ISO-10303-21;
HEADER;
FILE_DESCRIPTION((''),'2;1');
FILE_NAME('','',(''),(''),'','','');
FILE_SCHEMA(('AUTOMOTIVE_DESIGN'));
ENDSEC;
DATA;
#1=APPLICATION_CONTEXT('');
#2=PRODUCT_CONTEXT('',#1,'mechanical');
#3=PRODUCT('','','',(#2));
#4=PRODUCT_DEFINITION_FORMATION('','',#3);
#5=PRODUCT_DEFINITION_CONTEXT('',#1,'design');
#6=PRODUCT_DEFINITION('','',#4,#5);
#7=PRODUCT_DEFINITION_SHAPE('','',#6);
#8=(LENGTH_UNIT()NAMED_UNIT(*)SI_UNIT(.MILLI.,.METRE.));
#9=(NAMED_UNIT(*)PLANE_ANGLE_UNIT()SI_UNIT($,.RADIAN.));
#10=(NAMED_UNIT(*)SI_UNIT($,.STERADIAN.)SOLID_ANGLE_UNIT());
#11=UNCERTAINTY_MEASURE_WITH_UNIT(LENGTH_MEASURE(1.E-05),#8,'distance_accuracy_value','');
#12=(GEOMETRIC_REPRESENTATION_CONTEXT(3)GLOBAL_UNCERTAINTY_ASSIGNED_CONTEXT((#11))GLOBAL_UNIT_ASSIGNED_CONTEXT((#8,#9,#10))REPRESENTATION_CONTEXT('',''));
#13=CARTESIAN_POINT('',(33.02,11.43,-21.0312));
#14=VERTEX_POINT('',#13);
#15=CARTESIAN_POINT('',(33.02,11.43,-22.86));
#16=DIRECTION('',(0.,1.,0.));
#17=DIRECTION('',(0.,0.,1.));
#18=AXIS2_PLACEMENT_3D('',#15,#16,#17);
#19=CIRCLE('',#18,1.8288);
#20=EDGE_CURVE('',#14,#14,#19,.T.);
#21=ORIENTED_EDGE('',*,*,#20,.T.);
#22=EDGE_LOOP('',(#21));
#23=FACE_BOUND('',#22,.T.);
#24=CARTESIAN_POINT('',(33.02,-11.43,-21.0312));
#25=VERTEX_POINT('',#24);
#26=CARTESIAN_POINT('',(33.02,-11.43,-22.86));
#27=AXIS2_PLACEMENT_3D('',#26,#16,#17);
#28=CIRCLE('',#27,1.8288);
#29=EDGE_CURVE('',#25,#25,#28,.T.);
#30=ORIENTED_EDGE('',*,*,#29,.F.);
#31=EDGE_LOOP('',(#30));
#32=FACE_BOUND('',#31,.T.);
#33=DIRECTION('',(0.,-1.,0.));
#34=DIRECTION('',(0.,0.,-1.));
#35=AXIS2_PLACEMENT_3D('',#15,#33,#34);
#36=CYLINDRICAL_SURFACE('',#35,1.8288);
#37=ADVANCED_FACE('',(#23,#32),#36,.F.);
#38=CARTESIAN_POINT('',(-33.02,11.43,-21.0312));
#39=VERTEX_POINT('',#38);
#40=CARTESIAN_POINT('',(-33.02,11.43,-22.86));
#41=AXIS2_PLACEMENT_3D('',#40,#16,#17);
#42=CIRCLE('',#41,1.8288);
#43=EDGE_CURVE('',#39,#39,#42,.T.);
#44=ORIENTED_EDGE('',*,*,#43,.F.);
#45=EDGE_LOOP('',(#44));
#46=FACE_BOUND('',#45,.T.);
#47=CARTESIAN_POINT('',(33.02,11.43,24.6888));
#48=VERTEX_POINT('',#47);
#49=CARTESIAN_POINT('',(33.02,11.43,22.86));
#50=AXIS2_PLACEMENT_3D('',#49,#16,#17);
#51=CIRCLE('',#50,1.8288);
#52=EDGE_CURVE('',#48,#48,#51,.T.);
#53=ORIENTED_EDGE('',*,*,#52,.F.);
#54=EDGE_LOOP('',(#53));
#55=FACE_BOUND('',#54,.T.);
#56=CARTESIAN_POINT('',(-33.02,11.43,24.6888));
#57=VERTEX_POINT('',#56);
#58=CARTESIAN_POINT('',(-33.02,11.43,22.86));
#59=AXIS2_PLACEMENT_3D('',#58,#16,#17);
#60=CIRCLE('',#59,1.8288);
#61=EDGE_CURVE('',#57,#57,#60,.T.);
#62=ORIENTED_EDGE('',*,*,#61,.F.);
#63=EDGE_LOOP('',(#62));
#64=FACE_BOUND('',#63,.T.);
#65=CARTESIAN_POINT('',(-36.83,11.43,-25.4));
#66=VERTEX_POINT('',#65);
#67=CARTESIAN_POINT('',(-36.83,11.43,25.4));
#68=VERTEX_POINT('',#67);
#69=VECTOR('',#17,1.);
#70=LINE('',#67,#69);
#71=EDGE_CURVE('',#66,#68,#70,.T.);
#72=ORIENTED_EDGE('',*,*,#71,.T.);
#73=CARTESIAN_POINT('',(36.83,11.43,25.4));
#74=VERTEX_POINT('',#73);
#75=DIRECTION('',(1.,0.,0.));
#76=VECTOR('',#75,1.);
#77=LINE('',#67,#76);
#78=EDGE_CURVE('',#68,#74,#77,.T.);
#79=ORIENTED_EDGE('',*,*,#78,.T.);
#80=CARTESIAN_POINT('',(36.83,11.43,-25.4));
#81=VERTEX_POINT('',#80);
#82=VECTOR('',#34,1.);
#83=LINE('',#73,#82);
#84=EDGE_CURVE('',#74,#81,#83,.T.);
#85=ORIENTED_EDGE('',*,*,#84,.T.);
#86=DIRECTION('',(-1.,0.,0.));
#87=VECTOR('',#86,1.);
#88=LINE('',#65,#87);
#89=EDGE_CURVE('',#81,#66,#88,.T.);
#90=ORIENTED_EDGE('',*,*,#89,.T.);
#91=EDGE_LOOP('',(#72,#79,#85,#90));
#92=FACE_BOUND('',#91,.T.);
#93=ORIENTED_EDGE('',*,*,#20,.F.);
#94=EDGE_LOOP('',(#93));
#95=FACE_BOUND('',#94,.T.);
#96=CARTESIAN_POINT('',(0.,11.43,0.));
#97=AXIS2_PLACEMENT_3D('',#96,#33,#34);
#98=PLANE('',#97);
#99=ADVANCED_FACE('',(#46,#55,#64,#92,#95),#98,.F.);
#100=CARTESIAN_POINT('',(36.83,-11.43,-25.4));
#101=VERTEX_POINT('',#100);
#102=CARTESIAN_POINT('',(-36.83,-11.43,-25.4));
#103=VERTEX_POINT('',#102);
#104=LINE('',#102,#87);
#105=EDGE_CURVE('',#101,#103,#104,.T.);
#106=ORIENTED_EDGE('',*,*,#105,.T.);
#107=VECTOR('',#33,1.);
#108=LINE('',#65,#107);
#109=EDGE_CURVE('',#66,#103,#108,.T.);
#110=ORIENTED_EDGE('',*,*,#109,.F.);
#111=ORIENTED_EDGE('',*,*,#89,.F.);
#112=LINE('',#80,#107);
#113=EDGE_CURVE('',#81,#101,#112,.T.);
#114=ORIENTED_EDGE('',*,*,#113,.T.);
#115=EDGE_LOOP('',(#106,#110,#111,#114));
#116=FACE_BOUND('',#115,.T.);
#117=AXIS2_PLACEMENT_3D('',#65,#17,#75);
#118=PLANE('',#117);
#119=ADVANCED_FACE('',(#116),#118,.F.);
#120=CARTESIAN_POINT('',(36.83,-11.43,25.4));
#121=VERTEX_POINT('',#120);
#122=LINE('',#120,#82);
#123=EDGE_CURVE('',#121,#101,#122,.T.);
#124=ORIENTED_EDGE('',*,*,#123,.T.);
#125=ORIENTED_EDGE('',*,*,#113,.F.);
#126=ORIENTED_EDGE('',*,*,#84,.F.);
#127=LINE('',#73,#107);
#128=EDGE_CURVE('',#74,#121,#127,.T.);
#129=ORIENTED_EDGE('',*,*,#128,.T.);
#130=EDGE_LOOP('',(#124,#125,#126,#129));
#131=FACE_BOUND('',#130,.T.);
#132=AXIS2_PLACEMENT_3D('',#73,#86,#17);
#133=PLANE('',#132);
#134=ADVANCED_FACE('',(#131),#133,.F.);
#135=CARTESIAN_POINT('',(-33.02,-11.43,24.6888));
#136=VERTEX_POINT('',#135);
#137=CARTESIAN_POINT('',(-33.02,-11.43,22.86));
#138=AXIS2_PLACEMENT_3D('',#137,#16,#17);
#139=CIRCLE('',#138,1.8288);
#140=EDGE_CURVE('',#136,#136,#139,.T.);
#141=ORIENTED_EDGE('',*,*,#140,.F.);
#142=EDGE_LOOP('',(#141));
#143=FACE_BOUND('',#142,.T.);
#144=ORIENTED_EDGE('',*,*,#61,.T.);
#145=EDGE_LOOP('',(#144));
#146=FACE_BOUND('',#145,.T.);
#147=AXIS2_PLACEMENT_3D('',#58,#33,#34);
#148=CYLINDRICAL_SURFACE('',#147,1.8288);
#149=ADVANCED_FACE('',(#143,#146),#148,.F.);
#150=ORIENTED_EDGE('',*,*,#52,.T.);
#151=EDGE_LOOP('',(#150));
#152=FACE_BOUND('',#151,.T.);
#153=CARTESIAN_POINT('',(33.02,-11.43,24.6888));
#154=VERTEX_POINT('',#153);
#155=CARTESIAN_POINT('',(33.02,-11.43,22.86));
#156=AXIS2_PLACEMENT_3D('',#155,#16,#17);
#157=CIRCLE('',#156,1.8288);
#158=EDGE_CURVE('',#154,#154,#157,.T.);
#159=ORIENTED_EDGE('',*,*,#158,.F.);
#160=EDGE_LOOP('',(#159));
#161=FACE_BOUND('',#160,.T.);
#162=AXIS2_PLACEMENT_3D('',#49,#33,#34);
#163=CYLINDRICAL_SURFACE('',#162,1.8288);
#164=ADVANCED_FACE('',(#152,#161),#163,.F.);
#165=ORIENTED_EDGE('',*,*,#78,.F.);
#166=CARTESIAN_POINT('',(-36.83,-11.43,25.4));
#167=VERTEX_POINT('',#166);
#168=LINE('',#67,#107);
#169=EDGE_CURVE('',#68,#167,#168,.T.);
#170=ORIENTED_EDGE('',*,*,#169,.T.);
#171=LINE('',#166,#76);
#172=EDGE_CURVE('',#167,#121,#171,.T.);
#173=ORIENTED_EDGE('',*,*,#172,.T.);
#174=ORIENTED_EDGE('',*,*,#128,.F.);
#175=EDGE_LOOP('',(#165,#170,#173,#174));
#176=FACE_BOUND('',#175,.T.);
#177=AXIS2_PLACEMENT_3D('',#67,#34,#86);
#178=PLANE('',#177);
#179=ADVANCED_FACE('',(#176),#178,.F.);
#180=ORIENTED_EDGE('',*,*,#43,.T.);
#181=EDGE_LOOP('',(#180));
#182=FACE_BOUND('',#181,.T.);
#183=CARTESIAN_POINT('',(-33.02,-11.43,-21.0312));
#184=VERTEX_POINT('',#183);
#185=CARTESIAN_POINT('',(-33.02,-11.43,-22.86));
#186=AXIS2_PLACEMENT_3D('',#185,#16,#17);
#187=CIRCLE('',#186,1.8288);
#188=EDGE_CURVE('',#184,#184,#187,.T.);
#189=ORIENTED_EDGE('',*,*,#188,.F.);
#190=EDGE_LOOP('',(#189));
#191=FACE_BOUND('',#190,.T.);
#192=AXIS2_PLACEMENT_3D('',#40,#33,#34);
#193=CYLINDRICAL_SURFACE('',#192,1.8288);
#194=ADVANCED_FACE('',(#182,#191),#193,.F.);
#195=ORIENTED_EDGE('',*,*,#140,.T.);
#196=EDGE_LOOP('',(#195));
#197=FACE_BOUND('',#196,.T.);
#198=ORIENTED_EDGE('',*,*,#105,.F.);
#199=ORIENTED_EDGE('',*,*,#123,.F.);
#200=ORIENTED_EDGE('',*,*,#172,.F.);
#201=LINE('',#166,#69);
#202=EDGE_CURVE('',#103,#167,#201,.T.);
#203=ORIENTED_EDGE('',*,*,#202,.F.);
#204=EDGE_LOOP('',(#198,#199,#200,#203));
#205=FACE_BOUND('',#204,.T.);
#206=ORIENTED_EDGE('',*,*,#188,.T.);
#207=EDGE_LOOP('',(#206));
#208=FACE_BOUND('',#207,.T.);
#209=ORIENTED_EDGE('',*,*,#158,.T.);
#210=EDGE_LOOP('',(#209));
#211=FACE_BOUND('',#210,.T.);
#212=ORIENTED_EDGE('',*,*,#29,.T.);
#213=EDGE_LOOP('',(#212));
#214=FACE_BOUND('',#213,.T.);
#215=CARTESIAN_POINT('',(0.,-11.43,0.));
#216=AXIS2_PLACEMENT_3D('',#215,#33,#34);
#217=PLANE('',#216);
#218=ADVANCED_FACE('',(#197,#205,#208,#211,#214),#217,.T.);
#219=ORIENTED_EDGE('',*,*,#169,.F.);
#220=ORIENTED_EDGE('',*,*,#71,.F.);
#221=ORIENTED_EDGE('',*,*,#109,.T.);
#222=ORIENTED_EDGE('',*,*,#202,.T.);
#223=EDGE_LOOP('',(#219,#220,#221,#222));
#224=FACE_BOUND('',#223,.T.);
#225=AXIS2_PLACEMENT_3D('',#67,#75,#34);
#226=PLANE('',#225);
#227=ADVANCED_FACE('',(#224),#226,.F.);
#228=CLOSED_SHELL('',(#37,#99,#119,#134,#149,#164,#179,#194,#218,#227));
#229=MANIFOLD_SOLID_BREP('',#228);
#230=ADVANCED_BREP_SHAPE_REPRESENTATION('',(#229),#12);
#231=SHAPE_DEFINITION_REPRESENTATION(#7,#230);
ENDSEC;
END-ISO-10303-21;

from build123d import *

# Parameters (mm, degrees)
SKETCH1_W           = 73.66
SKETCH1_H           = 50.8
SKETCH1_R           = 1.8288
BOSS_EXTRUDE1_DEPTH = 11.43


with BuildPart() as part:
    # Sketch1 → Boss-Extrude1 (new, symmetric)
    with BuildSketch(Plane(origin=(0, 0, 0), x_dir=(1, 0, 0), z_dir=(0, 1, 0))):
        Rectangle(SKETCH1_W, SKETCH1_H)
        with Locations(Location((-33.02, 22.86, 0), (0, 0, 270))):
            Circle(SKETCH1_R, mode=Mode.SUBTRACT)
        with Locations(Location((33.02, 22.86, 0), (0, 0, 270))):
            Circle(SKETCH1_R, mode=Mode.SUBTRACT)
        with Locations(Location((33.02, -22.86, 0), (0, 0, 270))):
            Circle(SKETCH1_R, mode=Mode.SUBTRACT)
        with Locations(Location((-33.02, -22.86, 0), (0, 0, 270))):
            Circle(SKETCH1_R, mode=Mode.SUBTRACT)
    extrude(amount=BOSS_EXTRUDE1_DEPTH, both=True)


solid = part.part
